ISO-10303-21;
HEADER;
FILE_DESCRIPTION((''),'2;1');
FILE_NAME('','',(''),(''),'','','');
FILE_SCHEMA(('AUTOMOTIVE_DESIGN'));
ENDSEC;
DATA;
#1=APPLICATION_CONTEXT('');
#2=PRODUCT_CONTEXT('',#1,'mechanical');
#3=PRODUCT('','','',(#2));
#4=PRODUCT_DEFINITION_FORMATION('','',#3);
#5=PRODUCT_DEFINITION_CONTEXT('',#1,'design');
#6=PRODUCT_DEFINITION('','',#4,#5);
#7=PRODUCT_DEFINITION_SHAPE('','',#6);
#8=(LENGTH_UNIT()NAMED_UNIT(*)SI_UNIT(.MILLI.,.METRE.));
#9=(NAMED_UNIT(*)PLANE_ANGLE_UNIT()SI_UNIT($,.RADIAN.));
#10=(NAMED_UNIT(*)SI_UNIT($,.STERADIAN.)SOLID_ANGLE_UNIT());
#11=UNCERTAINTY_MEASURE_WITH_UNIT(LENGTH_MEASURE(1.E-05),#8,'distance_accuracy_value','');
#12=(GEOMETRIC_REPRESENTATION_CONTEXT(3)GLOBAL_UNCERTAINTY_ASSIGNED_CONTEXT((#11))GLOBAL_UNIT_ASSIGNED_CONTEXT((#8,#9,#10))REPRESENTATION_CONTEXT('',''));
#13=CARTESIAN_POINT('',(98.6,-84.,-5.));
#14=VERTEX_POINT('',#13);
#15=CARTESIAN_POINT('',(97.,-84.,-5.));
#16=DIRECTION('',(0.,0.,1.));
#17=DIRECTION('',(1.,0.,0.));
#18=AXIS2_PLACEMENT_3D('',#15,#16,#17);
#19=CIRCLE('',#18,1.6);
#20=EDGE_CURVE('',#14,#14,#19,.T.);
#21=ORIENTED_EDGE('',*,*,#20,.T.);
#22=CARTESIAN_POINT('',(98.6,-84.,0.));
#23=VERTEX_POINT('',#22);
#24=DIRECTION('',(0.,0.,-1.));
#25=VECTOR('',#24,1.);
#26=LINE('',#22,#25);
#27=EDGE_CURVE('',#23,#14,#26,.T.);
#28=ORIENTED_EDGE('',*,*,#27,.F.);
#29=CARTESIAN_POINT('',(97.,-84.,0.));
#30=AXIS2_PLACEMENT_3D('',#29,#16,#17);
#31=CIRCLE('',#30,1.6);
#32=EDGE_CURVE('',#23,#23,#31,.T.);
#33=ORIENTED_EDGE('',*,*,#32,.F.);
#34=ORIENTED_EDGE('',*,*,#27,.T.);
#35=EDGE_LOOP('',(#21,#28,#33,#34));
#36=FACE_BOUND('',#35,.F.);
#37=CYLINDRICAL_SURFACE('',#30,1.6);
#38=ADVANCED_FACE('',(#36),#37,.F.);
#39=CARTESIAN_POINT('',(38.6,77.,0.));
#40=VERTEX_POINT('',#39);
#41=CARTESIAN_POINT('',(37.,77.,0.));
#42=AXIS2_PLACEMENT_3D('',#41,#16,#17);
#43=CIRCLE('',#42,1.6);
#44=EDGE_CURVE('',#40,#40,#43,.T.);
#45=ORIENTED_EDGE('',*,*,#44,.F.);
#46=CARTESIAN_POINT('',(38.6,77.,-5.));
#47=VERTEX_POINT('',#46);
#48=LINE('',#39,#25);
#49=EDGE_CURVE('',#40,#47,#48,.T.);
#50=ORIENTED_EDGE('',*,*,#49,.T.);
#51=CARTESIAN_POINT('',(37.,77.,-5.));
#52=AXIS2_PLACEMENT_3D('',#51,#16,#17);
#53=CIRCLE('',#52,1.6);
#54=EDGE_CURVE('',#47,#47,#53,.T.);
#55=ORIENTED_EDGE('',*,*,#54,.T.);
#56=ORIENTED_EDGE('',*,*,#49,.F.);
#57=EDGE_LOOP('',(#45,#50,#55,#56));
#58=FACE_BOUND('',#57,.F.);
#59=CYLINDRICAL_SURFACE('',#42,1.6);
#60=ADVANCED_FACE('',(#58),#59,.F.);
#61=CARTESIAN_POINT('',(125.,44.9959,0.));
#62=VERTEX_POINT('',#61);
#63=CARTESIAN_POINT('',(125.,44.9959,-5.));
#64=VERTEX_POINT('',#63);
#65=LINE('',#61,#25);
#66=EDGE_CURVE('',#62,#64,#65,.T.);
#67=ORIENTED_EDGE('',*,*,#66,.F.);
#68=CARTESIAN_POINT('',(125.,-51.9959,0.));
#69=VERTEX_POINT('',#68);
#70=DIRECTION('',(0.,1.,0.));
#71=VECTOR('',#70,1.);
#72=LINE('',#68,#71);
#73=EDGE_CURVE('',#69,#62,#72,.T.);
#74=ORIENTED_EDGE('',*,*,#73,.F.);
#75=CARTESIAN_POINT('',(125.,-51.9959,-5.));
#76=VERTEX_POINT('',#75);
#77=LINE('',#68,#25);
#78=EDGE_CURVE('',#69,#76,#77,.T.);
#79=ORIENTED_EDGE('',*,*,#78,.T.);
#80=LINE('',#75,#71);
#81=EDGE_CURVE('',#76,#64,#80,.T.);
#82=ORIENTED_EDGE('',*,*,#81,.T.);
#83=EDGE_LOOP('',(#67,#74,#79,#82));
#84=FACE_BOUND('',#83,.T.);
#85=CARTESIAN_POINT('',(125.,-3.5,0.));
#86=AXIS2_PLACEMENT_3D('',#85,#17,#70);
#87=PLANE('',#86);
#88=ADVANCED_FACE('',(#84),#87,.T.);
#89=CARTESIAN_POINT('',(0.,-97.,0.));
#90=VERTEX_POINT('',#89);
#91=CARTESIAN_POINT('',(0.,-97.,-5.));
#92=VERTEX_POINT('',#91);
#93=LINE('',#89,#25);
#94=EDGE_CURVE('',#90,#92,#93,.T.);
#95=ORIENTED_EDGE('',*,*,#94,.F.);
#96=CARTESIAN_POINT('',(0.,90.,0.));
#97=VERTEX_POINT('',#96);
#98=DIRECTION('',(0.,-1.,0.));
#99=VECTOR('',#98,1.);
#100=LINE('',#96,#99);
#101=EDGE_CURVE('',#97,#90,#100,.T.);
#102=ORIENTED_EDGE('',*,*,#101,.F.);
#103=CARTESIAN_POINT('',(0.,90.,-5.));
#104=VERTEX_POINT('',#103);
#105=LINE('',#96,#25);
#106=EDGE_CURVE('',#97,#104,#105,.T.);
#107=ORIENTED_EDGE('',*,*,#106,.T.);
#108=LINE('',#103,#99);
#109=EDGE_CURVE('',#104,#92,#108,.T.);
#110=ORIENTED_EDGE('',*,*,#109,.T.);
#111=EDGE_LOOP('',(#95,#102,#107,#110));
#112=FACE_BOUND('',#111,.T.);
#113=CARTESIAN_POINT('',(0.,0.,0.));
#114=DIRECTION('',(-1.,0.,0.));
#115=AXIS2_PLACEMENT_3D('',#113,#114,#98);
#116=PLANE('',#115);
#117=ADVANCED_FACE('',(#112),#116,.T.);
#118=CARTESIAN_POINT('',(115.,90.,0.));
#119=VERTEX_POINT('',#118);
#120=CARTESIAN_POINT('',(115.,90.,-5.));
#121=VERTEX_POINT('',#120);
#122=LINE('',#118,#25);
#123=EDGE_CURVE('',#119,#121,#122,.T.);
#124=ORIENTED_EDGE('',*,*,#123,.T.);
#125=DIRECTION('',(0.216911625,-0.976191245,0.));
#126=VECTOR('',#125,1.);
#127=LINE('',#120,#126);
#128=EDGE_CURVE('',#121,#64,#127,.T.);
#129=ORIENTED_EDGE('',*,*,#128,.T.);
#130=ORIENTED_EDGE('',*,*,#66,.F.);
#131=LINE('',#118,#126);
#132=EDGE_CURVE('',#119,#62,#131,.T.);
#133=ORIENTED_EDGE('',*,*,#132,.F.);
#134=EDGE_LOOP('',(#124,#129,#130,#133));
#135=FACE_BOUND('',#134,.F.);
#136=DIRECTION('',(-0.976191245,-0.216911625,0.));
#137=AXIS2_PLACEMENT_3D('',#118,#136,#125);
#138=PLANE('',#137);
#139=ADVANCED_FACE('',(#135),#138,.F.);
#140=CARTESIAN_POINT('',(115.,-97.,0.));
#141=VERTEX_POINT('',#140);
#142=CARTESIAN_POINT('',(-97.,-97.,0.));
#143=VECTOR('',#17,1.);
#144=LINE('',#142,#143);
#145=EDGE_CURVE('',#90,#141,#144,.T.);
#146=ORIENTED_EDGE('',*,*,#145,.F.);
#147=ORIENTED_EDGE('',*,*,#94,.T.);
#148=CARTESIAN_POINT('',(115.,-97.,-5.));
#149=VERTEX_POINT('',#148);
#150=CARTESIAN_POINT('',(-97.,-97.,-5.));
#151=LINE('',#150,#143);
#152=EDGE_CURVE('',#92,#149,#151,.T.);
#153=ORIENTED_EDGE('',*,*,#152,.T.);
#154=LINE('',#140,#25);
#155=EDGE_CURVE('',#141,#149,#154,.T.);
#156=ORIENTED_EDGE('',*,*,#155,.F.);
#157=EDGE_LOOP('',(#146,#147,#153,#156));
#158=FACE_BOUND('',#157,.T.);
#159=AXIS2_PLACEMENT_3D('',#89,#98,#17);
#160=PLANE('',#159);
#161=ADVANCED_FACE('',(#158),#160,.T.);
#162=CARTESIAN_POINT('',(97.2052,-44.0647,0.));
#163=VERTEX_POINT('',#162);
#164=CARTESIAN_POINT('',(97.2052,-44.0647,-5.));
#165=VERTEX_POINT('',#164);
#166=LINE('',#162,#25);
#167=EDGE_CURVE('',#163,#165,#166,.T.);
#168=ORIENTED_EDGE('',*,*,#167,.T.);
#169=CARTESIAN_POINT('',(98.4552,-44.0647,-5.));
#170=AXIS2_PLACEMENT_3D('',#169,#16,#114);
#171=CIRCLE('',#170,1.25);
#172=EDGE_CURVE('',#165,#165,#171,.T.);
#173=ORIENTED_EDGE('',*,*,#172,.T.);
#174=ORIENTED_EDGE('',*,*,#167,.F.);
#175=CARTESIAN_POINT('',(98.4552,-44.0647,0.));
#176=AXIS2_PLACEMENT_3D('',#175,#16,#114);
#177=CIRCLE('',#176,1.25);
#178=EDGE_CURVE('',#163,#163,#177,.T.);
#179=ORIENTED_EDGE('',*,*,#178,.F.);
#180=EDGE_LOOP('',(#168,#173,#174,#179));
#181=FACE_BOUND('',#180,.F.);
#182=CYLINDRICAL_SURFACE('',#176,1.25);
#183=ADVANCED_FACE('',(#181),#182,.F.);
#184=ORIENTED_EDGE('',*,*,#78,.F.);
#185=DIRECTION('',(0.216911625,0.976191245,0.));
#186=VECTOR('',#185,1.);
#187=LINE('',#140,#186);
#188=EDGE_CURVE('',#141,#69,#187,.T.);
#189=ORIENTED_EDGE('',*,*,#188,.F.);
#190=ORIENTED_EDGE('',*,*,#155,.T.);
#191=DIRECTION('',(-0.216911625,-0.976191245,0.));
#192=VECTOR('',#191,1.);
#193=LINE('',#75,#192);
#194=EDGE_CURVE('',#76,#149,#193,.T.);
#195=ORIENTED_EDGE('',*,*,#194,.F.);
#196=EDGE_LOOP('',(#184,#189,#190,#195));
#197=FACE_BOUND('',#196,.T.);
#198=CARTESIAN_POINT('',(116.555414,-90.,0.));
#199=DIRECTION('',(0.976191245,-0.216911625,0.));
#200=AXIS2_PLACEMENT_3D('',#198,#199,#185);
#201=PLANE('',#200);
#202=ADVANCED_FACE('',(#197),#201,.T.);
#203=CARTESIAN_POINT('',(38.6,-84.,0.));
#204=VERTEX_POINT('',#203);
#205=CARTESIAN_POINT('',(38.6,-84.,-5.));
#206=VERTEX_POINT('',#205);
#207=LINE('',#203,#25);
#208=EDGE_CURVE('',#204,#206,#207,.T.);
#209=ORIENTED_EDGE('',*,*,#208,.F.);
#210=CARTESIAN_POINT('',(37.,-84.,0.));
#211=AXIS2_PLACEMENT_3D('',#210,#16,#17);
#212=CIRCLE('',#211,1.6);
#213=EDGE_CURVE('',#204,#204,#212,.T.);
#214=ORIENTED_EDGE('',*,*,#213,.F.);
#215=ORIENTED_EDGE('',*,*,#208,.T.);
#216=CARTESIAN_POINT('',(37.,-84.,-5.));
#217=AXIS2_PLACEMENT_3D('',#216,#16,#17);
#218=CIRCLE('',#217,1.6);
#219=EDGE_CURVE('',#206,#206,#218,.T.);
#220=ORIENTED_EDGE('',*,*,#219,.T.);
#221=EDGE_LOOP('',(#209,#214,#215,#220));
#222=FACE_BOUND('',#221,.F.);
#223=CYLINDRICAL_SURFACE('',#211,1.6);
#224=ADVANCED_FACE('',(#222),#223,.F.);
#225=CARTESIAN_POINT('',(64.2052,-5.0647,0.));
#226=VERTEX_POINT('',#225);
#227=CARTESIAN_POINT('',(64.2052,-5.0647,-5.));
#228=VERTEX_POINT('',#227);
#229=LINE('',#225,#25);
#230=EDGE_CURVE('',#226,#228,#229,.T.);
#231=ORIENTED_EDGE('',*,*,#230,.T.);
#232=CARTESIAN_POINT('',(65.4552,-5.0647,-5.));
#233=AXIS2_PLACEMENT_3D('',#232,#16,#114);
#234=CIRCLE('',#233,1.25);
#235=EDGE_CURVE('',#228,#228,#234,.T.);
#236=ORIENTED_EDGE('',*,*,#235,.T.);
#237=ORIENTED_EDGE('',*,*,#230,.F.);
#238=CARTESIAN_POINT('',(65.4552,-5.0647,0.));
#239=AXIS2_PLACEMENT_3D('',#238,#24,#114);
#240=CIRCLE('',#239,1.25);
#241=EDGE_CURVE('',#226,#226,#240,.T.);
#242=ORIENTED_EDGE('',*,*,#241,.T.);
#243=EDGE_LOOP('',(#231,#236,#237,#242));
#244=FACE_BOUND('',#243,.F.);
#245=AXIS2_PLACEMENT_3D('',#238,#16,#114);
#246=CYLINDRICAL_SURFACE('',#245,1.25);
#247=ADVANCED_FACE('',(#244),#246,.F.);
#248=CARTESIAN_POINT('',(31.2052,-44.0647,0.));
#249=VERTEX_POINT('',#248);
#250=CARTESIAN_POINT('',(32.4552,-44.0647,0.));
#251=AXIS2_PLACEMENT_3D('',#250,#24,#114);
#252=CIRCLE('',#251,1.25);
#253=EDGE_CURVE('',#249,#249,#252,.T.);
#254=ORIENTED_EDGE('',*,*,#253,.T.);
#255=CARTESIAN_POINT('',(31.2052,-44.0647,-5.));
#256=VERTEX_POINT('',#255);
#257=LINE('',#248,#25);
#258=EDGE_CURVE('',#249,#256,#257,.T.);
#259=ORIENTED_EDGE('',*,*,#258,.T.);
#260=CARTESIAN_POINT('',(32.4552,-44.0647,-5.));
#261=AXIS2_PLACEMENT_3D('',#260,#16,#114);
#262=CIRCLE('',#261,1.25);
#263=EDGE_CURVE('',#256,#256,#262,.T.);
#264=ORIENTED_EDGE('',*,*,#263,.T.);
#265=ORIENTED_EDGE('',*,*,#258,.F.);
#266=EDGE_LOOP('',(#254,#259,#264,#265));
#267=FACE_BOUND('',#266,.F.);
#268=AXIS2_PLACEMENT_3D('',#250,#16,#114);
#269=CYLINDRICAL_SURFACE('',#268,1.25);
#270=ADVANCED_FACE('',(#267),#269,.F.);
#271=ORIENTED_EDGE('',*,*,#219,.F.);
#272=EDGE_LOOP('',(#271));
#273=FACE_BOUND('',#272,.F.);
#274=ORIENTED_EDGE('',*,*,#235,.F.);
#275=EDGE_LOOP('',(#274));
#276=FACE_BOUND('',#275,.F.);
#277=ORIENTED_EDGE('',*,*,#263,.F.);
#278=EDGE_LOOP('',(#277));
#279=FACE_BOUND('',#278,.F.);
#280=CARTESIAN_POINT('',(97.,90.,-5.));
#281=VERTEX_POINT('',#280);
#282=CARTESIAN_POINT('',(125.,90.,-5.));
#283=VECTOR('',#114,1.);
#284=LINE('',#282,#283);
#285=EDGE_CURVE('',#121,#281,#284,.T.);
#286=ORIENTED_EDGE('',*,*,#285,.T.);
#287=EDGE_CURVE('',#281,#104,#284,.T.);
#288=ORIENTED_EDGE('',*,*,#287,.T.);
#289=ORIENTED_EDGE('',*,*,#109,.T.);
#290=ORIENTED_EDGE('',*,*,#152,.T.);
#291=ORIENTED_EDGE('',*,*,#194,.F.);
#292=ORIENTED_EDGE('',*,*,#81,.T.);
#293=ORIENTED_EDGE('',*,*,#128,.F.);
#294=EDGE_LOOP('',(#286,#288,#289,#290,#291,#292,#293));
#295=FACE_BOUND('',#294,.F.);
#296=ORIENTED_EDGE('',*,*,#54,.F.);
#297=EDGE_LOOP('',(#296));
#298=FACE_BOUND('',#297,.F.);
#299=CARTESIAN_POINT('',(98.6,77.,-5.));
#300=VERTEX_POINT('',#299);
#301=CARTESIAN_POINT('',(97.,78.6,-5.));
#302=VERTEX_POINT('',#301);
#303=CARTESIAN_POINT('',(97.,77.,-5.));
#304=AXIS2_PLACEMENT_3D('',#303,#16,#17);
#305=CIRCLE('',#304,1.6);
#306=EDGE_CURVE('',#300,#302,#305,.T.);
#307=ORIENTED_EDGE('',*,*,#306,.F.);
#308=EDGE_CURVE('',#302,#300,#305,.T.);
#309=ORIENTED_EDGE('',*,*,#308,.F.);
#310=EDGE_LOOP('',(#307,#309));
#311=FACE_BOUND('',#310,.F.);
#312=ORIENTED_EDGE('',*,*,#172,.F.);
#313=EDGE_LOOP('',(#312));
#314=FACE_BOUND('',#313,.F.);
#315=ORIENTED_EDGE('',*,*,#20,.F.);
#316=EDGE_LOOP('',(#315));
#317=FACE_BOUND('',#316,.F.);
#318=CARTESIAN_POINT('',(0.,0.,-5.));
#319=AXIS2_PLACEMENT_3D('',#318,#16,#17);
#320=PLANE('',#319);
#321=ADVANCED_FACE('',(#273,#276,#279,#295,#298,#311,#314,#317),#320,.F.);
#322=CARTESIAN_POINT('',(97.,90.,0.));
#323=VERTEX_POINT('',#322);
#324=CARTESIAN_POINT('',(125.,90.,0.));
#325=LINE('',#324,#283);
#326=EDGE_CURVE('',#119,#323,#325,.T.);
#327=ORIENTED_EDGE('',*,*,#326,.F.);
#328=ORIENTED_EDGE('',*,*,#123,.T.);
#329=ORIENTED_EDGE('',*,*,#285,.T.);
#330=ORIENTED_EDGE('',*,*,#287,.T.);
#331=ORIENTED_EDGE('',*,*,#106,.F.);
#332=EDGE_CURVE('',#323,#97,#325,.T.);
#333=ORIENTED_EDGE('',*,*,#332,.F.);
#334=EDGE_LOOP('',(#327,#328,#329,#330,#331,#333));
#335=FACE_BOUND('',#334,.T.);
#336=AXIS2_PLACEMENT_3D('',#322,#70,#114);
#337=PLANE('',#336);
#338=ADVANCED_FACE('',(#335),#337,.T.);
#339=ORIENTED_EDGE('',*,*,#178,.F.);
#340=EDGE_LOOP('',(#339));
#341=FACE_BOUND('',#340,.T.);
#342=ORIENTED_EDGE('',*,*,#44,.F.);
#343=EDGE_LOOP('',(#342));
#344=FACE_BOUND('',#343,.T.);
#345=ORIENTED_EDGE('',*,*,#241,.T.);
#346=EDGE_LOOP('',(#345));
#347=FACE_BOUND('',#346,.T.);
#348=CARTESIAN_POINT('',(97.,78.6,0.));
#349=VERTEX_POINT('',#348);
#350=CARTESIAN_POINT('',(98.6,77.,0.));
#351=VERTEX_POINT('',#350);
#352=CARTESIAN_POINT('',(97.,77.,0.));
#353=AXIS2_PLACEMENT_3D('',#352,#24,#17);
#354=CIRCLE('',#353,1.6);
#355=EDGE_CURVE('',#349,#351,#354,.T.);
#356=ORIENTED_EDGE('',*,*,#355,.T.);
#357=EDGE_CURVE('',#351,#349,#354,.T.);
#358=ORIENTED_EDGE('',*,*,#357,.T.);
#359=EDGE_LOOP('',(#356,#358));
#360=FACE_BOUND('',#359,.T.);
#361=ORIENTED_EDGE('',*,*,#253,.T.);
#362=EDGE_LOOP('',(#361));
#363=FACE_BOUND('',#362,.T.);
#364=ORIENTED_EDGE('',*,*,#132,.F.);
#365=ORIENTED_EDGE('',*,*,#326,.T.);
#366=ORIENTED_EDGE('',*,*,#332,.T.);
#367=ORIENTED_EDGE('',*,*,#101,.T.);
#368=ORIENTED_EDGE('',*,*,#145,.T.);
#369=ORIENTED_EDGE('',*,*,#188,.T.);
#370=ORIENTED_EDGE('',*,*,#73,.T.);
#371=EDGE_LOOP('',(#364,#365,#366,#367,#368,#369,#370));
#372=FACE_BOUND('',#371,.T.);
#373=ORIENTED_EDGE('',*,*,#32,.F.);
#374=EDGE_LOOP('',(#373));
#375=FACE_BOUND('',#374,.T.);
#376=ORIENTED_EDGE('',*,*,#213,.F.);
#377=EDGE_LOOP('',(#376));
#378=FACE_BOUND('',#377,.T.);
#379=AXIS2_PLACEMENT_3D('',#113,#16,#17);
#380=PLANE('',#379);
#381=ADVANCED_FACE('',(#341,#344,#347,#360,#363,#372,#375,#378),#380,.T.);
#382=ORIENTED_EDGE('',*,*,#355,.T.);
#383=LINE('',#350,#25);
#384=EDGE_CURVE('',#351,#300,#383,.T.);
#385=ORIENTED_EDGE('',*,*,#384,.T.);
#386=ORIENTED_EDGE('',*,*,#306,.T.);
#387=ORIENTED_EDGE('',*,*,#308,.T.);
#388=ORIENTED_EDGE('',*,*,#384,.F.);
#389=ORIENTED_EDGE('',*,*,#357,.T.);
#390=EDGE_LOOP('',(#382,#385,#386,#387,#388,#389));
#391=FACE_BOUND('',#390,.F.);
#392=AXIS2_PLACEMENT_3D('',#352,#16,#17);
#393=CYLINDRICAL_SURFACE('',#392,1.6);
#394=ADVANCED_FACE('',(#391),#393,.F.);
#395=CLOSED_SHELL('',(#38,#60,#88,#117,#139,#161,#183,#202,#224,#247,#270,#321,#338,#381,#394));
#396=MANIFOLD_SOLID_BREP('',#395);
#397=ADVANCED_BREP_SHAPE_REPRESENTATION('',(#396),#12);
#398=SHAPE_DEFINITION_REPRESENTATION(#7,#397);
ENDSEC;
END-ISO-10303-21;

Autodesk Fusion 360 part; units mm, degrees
sketch "Sketch1" plane through (0, 0, 0) normal (0, 0, 1) x (1, 0, 0)
  line L0 (125, 90) -> (-125, 90)
  line L1 (-125, 90) -> (-125, -90)
  line L2 (-125, -90) -> (125, -90)
  line L3 (125, -90) -> (125, 90)
  line L4 (125, 90) -> (-125, -90) construction
  line L5 (-125, 90) -> (125, -90) construction
  line L6 (0, 90) -> (-97, 90)
  line L7 (0, 0) -> (0, 90)
  line L8 (0, 90) -> (97, 90)
  line L9 (-97, 90) -> (-97, 77)
  circle A0 centre (-97, 77) radius 1.6
  line L10 (0, 90) -> (-37, 90)
  line L11 (-37, 90) -> (-37, 77)
  circle A1 centre (-37, 77) radius 1.6
  line L12 (97, 90) -> (97, 77)
  line L13 (0, 90) -> (-115, 90)
  line L14 (-115, 90) -> (-125, 44.9959)
  line L15 (-125, 44.9959) -> (-125, 90)
  line L16 (-125, 90) -> (-115, 90)
  line L17 (0, 0) -> (0, -90)
  line L18 (115, 90) -> (125, 44.9959)
  line L19 (125, 44.9959) -> (125, 90)
  line L20 (125, 90) -> (115, 90)
  line L21 (-125, -44.9959) -> (-125, -90)
  line L22 (-125, -90) -> (-115, -90)
  line L23 (125, -44.9959) -> (125, -90)
  line L24 (125, -90) -> (115, -90)
  line L25 (-97, 77) -> (-97, -84)
  line L26 (-97, -84) -> (-97, -90)
  line L27 (-97, -84) -> (-97, -97)
  line L28 (-97, -97) -> (-125.0061, -97)
  line L29 (-125.0061, -97) -> (-125, -90)
  line L30 (-97, -97) -> (125, -97)
  line L31 (125, -97) -> (125, -90)
  line L32 (-37, 77) -> (-37, -84)
  circle A2 centre (-97, -84) radius 1.6
  circle A3 centre (-37, -84) radius 1.6
  circle A4 centre (97, -84) radius 1.6
  circle A5 centre (37, -84) radius 1.6
  circle A6 centre (97, 77) radius 1.6
  circle A7 centre (37, 77) radius 1.6
  line L33 (0, -97) -> (0, 90)
  line L34 (-125.0061, -97) -> (-125.0061, -3.5)
  line L35 (-125.0061, -3.5) -> (125, -3.5)
  line L36 (115, 90) -> (125, 44.9959)
  line L37 (-115, -97) -> (-125, -51.9959)
  line L38 (115, -97) -> (125, -51.9959)
  dimension "d1" = 250
  dimension "d2" = 180
  dimension "d3" = 97
  dimension "d4" = 13
  dimension "d5" = 3.2
  dimension "d6" = 37
  dimension "d7" = 13
  dimension "d8" = 3.2
  dimension "d9" = 115
  dimension "d14" = 161
  dimension "d15" = 13
  dimension "d16" = 161
  dimension "d17" = 3.2
  dimension "d18" = 3.2
  dimension "d19" = 93.5
extrude "Extrude3" add sketch "Sketch1" against normal blind 5 contours A6 | L0 L3 L7 L8 L17 L18 L33 L35 L36 | L2 L3 L17 L23 L24 L33 L35 L38 | L2 L24 L30 L33 L38 | A4 | A5 | A7
extrude "Extrude4" cut sketch "Sketch1" against normal blind 10 contours A6 | L11 A1 L32 | L9 A0 L25 | L25 L26 L27 A2 | A4 | A5 | A7 picked at (-36.3624, 76.1483) picked at (-96.2477, 77.7523) picked at (-96.2477, -84.7523)
sketch "Sketch3" plane through (0, 0, 0) normal (0, 0, 1) x (-1, 0, 0)
  circle A0 centre (-97, 84) radius 1.6
  circle A1 centre (-97, -77) radius 1.6
  circle A2 centre (-37, 84) radius 1.6
  circle A3 centre (-37, -77) radius 1.6
  line L0 (0, 97) -> (-115, 97)
  line L1 (-115, 97) -> (-125, 51.9959)
  line L2 (-125, 51.9959) -> (-125, -44.9959)
  line L3 (-125, -44.9959) -> (-115, -90)
  line L4 (-115, -90) -> (0, -90)
  line L5 (0, -90) -> (0, 97)
  line L6 (0, 97) -> (-115, 97)
  line L7 (-32.4552, 44.0647) -> (-98.4552, 44.0647)
  circle A4 centre (-32.4552, 44.0647) radius 1.25
  circle A5 centre (-98.4552, 44.0647) radius 1.25
  line L8 (-65.4552, 44.0647) -> (-65.4552, 5.0647)
  circle A6 centre (-65.4552, 5.0647) radius 1.25
  dimension "d28" = 115
  dimension "d29" = 60
  dimension "d30" = 66
  dimension "d31" = 2.5
  dimension "d32" = 2.5
  dimension "d33" = 39
  dimension "d34" = 2.5
extrude "Extrude6" cut sketch "Sketch3" against normal blind 30 contours A5 | A4 | A6
